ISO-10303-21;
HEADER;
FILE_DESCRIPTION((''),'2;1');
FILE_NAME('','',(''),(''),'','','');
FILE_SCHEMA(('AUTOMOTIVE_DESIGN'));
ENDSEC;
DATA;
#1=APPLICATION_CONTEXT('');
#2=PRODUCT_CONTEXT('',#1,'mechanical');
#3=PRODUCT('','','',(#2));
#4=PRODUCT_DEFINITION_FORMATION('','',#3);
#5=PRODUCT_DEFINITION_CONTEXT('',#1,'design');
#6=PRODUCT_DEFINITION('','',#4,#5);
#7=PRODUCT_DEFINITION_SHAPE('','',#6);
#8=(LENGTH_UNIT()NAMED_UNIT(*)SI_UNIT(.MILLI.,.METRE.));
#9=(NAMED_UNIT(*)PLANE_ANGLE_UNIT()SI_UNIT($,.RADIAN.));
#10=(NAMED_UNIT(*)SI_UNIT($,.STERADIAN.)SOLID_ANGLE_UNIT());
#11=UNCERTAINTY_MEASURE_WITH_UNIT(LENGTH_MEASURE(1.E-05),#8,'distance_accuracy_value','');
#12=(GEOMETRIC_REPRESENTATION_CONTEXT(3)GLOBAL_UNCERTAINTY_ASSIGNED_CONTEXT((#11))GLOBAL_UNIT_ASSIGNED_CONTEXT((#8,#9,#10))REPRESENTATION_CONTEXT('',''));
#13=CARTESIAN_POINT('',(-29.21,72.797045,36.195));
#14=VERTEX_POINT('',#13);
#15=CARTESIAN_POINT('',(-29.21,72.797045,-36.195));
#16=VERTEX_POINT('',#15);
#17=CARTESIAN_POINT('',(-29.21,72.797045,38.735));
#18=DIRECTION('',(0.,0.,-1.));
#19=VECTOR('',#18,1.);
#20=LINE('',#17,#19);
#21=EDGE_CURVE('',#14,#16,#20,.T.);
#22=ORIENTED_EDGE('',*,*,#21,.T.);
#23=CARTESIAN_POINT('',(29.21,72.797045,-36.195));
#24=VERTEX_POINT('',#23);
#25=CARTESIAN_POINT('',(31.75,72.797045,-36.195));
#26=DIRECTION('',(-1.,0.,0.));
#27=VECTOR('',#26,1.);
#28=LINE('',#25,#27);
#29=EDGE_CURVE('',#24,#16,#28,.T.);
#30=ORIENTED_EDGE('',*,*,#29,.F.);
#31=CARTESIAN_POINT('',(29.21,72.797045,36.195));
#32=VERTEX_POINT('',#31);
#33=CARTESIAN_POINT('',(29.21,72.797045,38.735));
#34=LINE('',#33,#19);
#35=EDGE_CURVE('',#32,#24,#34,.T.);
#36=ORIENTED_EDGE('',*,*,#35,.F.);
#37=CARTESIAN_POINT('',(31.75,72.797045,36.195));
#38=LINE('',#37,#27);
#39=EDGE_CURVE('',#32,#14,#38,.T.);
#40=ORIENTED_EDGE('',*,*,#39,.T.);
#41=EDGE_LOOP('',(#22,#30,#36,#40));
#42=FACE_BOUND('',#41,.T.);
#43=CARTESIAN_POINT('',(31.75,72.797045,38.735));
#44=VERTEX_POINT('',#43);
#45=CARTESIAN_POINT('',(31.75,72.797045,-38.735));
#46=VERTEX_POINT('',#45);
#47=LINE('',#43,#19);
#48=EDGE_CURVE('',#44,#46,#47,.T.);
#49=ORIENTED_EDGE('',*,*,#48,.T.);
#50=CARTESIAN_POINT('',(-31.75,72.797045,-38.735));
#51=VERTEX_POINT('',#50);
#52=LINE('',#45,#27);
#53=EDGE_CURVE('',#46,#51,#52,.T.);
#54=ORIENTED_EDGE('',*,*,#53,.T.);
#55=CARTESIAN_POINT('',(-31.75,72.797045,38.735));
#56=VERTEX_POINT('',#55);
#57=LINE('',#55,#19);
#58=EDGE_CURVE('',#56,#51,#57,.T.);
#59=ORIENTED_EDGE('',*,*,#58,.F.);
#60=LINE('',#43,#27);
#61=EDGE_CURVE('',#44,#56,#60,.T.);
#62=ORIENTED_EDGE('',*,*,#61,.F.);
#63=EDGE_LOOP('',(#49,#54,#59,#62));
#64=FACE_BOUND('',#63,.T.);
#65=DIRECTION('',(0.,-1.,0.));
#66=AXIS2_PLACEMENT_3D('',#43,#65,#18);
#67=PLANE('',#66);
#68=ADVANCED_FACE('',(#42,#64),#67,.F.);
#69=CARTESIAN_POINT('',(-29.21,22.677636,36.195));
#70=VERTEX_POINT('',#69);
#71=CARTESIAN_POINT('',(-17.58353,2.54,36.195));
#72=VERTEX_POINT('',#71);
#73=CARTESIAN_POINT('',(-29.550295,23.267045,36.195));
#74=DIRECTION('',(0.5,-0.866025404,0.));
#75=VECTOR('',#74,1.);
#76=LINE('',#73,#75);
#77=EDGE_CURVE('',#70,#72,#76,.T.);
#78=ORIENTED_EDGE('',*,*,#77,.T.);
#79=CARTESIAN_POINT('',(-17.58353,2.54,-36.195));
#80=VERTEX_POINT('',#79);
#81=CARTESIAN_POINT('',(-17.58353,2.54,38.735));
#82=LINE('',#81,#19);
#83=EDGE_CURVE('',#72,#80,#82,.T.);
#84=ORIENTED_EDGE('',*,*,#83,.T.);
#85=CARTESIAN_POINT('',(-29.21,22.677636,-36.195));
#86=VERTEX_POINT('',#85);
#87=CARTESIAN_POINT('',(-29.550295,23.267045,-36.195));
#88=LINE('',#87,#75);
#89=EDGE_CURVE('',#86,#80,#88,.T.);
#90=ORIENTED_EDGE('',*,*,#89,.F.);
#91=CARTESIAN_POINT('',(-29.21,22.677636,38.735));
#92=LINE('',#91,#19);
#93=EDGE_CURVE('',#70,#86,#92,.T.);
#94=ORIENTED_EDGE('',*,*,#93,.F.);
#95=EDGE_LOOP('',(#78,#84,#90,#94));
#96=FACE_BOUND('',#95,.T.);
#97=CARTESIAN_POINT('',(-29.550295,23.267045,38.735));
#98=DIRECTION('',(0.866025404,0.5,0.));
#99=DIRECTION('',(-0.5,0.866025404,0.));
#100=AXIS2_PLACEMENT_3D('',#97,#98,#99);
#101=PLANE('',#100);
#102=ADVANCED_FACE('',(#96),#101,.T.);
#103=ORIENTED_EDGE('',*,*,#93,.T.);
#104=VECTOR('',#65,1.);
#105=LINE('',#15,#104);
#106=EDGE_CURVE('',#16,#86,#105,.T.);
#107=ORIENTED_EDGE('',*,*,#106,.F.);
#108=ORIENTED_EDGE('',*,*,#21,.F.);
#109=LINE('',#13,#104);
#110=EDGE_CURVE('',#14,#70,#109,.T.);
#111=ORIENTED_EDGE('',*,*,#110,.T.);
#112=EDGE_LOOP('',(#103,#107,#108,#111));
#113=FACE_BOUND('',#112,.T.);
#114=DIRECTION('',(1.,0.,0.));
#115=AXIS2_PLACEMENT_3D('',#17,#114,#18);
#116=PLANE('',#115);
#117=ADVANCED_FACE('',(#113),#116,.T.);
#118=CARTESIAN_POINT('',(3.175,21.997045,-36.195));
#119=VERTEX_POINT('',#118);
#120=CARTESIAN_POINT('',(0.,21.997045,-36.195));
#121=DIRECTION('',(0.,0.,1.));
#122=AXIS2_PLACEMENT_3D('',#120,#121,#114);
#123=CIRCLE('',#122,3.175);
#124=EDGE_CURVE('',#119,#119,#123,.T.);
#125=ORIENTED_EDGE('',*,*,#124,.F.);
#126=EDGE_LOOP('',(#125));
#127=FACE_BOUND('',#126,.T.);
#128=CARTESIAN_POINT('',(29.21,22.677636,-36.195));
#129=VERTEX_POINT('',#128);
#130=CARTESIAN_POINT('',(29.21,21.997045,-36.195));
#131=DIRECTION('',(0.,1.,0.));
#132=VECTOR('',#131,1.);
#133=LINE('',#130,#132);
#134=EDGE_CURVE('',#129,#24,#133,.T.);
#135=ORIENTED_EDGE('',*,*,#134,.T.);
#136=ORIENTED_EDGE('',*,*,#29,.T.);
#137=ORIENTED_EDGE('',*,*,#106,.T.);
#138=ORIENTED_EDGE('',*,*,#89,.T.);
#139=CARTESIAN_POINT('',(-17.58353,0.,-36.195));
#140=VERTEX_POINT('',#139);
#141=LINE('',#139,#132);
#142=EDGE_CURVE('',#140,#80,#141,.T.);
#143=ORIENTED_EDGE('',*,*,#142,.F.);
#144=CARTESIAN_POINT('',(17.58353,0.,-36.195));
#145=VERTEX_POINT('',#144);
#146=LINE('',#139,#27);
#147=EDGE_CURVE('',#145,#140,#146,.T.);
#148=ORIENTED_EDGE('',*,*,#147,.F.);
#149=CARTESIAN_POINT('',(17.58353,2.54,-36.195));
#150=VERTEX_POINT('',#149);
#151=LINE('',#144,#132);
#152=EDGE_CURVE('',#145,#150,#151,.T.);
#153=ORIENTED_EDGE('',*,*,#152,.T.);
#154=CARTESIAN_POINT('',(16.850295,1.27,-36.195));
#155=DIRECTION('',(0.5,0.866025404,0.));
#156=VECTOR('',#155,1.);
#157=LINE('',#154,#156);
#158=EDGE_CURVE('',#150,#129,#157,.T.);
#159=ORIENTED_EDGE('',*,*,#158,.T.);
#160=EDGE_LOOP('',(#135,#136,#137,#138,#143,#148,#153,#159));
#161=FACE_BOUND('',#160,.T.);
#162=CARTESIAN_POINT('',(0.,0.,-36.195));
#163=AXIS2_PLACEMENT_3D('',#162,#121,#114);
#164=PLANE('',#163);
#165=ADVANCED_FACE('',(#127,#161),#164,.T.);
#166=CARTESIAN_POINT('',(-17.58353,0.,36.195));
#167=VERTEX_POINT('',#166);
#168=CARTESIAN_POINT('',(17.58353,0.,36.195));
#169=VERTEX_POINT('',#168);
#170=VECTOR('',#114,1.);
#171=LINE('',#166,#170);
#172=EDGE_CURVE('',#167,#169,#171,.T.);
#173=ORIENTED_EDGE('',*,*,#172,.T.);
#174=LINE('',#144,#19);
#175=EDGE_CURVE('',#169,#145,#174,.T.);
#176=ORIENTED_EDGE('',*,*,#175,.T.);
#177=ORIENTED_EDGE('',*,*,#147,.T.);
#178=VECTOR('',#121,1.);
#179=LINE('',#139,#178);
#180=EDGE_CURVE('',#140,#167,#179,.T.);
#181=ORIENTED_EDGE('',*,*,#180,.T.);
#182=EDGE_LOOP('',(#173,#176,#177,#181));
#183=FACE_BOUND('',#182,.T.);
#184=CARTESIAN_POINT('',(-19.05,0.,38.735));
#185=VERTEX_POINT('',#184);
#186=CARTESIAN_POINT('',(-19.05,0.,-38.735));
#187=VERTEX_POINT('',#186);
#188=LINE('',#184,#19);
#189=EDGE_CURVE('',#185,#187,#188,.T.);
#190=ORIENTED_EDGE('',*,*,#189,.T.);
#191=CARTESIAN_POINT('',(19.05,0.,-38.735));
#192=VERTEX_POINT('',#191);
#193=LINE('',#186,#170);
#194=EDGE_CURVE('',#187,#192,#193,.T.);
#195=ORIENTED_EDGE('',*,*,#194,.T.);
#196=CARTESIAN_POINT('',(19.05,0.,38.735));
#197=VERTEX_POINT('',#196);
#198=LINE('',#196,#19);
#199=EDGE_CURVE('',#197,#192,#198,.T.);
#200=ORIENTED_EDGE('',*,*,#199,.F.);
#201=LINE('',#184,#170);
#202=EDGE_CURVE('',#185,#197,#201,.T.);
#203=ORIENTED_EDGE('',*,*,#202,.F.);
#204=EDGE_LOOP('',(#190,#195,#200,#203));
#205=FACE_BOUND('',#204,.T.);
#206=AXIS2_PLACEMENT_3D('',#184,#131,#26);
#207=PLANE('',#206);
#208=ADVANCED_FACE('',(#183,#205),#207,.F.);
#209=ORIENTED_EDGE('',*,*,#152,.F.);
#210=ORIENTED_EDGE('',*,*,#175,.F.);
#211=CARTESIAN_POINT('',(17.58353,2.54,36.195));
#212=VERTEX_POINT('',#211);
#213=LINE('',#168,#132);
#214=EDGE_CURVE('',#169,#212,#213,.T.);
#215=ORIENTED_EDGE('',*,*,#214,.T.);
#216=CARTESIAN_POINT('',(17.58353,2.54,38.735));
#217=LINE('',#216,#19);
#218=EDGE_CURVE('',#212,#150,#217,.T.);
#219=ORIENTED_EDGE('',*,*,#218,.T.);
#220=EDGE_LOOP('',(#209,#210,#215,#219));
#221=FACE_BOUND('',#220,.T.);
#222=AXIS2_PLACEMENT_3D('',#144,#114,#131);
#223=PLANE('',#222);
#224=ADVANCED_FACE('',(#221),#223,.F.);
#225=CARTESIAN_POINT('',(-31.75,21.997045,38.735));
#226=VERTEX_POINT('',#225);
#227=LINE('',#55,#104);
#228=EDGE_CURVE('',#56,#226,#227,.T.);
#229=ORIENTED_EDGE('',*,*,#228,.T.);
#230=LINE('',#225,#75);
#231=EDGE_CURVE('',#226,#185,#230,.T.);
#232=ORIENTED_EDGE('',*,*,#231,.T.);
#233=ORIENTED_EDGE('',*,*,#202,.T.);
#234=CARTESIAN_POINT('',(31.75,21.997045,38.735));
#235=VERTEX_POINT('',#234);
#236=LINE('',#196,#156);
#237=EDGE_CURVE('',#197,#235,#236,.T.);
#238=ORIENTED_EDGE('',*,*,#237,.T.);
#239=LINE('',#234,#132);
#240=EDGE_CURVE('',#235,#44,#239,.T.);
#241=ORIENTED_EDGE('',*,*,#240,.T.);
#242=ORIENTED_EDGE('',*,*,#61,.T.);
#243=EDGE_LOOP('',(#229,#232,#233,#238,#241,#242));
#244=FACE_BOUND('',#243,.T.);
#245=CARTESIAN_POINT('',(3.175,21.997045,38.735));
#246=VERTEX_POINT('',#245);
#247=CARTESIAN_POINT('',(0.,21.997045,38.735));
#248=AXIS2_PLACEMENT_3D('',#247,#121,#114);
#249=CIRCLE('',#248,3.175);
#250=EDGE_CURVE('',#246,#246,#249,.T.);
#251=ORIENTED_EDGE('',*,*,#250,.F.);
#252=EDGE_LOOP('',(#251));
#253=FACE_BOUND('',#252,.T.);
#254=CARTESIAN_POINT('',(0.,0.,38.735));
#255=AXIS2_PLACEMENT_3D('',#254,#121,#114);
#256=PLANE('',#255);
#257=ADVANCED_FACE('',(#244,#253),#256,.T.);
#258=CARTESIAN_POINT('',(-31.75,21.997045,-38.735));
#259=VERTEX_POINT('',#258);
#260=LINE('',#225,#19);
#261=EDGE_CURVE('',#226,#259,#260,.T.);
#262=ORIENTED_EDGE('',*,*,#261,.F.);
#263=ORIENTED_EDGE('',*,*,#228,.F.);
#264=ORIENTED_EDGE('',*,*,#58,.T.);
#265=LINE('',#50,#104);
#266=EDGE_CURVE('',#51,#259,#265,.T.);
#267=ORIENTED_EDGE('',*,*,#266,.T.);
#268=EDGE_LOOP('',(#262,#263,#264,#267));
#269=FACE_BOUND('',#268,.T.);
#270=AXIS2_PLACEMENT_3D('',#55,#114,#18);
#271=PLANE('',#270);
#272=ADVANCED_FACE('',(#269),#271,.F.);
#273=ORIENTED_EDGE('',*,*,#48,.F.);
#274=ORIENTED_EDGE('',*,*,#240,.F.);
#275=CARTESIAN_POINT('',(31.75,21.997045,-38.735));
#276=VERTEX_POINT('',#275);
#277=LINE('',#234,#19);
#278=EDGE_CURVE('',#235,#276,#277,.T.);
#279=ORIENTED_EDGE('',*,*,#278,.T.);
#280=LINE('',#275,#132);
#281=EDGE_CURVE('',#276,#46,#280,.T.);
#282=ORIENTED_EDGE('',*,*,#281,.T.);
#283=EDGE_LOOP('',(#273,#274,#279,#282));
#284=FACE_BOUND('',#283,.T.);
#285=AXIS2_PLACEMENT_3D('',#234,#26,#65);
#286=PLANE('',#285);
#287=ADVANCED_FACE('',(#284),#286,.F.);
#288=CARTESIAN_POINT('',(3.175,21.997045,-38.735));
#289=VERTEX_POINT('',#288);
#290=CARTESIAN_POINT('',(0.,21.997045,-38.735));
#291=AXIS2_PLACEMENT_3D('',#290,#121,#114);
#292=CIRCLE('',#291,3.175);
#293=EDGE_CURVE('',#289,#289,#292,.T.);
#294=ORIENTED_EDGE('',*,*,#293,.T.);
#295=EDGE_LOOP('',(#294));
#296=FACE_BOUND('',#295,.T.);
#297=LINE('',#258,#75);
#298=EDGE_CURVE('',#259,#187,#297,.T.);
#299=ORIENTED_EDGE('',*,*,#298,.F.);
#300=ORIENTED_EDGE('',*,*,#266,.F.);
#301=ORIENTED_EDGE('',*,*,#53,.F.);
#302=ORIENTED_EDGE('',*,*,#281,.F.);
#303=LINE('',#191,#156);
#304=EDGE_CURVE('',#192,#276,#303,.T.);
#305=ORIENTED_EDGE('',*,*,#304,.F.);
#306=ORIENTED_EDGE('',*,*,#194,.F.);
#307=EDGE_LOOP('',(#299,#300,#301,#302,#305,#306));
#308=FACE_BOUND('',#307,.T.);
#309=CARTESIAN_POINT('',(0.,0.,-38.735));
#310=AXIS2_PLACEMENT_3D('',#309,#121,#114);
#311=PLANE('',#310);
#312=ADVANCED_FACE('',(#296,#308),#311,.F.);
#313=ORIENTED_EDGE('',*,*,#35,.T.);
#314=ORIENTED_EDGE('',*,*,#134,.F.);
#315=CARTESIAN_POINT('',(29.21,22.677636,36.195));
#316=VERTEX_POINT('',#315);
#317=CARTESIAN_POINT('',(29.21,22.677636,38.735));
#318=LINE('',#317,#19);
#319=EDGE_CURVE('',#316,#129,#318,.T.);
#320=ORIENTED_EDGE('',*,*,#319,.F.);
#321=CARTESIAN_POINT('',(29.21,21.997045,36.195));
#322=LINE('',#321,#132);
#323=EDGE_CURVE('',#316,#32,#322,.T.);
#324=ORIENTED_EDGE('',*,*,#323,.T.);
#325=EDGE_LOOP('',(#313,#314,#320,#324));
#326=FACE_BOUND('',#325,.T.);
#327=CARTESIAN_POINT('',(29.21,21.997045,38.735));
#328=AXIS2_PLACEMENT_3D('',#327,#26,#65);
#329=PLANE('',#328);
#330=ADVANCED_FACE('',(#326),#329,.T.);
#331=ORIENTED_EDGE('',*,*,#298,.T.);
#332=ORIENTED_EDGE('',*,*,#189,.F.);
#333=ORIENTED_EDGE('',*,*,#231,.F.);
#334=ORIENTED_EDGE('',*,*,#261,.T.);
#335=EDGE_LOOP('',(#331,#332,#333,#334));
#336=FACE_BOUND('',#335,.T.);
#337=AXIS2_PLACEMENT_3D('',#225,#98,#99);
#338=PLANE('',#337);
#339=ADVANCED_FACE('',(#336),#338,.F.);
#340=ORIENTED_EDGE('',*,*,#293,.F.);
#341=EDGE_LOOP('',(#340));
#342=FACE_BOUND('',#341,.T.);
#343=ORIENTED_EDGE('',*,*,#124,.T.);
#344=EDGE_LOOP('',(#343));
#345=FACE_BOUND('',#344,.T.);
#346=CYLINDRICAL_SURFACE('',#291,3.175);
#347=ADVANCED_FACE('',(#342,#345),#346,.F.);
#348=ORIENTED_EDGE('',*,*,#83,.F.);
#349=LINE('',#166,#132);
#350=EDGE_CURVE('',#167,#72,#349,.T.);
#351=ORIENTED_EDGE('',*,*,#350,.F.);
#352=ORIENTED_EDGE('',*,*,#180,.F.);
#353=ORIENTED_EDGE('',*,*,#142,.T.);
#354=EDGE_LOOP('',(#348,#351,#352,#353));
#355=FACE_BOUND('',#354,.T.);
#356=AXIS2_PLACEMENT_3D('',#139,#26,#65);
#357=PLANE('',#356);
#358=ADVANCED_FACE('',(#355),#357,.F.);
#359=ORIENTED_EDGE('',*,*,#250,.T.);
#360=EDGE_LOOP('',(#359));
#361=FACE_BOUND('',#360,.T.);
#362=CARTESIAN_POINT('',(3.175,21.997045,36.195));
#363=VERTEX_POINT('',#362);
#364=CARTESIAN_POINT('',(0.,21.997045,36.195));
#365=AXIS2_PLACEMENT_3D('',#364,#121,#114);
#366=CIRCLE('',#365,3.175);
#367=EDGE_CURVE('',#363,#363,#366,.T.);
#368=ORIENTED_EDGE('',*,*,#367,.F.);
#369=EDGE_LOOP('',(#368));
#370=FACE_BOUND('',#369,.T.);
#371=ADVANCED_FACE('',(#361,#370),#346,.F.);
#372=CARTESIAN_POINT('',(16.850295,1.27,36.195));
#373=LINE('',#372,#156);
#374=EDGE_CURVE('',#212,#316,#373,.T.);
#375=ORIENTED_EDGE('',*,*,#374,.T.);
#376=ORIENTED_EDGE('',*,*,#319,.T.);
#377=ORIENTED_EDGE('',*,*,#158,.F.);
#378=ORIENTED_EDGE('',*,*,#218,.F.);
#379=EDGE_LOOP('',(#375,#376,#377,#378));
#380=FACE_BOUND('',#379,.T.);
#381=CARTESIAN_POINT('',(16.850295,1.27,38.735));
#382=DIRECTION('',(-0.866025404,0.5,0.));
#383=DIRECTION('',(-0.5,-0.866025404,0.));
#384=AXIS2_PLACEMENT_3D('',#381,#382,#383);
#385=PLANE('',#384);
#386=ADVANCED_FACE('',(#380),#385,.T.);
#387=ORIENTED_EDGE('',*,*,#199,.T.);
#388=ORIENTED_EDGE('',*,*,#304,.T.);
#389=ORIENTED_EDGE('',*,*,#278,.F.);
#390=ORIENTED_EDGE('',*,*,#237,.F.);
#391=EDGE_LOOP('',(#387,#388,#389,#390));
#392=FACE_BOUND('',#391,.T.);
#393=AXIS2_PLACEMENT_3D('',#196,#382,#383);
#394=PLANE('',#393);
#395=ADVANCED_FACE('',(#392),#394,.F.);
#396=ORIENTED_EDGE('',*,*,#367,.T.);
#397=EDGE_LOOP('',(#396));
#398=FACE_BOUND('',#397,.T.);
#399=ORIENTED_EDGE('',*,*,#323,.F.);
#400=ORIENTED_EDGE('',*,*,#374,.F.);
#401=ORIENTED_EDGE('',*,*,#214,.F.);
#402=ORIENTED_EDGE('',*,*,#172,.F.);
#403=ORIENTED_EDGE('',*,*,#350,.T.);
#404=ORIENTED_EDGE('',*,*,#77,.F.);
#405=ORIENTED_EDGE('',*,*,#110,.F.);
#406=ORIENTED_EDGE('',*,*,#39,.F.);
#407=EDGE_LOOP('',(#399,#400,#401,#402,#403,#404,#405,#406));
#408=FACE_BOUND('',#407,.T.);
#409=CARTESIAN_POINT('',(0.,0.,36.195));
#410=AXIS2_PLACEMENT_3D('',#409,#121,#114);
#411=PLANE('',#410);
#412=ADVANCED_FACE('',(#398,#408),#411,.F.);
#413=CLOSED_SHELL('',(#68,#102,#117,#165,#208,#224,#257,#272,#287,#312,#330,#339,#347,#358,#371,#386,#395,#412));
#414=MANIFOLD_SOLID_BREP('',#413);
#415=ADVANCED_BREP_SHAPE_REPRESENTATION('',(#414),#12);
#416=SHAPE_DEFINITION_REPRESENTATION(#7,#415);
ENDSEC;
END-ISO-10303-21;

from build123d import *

# Parameters (mm, degrees)
BOSS_EXTRUDE1_DEPTH     = 38.735
SHELL1_T                = -2.54
SKETCH4_W               = 35.167060632
SKETCH4_H               = 72.39
CUT_EXTRUDE1_DEPTH      = 87.281603677
CUT_EXTRUDE2_DEPTH      = 111.946262659
CUT_EXTRUDE2_DEPTH_BACK = 111.946262659
SKETCH6_R               = 3.175


with BuildPart() as part:
    # Sketch1 → Boss-Extrude1 (new, symmetric)
    with BuildSketch(Plane.XY):
        Polygon((-19.05, 0), (19.05, 0), (31.75, 21.997045256), (31.75, 72.797045256), (-31.75, 72.797045256), (-31.75, 21.997045256), align=None)
    extrude(amount=BOSS_EXTRUDE1_DEPTH, both=True)

    # Shell1
    shell1_openings = [part.faces().sort_by_distance(p)[0] for p in [
        (0, 72.797045256, 0),
    ]]
    offset(amount=SHELL1_T, openings=shell1_openings, kind=Kind.INTERSECTION)

    # Sketch4 → Cut-Extrude1 (cut, through all)
    with BuildSketch(Plane(origin=(0, 2.54, 0), x_dir=(1, 0, 0), z_dir=(0, 1, 0))):
        Rectangle(SKETCH4_W, SKETCH4_H)
    extrude(amount=-CUT_EXTRUDE1_DEPTH, mode=Mode.SUBTRACT)

    # Sketch6 → Cut-Extrude2 (cut, two sides: drawn at the far end of the back side and taken through both)
    with BuildSketch(Plane.XY.offset(38.735).offset(-CUT_EXTRUDE2_DEPTH_BACK)):
        with Locations((0, 21.997045256)):
            Circle(SKETCH6_R)
    extrude(amount=CUT_EXTRUDE2_DEPTH + CUT_EXTRUDE2_DEPTH_BACK, mode=Mode.SUBTRACT)


solid = part.part
